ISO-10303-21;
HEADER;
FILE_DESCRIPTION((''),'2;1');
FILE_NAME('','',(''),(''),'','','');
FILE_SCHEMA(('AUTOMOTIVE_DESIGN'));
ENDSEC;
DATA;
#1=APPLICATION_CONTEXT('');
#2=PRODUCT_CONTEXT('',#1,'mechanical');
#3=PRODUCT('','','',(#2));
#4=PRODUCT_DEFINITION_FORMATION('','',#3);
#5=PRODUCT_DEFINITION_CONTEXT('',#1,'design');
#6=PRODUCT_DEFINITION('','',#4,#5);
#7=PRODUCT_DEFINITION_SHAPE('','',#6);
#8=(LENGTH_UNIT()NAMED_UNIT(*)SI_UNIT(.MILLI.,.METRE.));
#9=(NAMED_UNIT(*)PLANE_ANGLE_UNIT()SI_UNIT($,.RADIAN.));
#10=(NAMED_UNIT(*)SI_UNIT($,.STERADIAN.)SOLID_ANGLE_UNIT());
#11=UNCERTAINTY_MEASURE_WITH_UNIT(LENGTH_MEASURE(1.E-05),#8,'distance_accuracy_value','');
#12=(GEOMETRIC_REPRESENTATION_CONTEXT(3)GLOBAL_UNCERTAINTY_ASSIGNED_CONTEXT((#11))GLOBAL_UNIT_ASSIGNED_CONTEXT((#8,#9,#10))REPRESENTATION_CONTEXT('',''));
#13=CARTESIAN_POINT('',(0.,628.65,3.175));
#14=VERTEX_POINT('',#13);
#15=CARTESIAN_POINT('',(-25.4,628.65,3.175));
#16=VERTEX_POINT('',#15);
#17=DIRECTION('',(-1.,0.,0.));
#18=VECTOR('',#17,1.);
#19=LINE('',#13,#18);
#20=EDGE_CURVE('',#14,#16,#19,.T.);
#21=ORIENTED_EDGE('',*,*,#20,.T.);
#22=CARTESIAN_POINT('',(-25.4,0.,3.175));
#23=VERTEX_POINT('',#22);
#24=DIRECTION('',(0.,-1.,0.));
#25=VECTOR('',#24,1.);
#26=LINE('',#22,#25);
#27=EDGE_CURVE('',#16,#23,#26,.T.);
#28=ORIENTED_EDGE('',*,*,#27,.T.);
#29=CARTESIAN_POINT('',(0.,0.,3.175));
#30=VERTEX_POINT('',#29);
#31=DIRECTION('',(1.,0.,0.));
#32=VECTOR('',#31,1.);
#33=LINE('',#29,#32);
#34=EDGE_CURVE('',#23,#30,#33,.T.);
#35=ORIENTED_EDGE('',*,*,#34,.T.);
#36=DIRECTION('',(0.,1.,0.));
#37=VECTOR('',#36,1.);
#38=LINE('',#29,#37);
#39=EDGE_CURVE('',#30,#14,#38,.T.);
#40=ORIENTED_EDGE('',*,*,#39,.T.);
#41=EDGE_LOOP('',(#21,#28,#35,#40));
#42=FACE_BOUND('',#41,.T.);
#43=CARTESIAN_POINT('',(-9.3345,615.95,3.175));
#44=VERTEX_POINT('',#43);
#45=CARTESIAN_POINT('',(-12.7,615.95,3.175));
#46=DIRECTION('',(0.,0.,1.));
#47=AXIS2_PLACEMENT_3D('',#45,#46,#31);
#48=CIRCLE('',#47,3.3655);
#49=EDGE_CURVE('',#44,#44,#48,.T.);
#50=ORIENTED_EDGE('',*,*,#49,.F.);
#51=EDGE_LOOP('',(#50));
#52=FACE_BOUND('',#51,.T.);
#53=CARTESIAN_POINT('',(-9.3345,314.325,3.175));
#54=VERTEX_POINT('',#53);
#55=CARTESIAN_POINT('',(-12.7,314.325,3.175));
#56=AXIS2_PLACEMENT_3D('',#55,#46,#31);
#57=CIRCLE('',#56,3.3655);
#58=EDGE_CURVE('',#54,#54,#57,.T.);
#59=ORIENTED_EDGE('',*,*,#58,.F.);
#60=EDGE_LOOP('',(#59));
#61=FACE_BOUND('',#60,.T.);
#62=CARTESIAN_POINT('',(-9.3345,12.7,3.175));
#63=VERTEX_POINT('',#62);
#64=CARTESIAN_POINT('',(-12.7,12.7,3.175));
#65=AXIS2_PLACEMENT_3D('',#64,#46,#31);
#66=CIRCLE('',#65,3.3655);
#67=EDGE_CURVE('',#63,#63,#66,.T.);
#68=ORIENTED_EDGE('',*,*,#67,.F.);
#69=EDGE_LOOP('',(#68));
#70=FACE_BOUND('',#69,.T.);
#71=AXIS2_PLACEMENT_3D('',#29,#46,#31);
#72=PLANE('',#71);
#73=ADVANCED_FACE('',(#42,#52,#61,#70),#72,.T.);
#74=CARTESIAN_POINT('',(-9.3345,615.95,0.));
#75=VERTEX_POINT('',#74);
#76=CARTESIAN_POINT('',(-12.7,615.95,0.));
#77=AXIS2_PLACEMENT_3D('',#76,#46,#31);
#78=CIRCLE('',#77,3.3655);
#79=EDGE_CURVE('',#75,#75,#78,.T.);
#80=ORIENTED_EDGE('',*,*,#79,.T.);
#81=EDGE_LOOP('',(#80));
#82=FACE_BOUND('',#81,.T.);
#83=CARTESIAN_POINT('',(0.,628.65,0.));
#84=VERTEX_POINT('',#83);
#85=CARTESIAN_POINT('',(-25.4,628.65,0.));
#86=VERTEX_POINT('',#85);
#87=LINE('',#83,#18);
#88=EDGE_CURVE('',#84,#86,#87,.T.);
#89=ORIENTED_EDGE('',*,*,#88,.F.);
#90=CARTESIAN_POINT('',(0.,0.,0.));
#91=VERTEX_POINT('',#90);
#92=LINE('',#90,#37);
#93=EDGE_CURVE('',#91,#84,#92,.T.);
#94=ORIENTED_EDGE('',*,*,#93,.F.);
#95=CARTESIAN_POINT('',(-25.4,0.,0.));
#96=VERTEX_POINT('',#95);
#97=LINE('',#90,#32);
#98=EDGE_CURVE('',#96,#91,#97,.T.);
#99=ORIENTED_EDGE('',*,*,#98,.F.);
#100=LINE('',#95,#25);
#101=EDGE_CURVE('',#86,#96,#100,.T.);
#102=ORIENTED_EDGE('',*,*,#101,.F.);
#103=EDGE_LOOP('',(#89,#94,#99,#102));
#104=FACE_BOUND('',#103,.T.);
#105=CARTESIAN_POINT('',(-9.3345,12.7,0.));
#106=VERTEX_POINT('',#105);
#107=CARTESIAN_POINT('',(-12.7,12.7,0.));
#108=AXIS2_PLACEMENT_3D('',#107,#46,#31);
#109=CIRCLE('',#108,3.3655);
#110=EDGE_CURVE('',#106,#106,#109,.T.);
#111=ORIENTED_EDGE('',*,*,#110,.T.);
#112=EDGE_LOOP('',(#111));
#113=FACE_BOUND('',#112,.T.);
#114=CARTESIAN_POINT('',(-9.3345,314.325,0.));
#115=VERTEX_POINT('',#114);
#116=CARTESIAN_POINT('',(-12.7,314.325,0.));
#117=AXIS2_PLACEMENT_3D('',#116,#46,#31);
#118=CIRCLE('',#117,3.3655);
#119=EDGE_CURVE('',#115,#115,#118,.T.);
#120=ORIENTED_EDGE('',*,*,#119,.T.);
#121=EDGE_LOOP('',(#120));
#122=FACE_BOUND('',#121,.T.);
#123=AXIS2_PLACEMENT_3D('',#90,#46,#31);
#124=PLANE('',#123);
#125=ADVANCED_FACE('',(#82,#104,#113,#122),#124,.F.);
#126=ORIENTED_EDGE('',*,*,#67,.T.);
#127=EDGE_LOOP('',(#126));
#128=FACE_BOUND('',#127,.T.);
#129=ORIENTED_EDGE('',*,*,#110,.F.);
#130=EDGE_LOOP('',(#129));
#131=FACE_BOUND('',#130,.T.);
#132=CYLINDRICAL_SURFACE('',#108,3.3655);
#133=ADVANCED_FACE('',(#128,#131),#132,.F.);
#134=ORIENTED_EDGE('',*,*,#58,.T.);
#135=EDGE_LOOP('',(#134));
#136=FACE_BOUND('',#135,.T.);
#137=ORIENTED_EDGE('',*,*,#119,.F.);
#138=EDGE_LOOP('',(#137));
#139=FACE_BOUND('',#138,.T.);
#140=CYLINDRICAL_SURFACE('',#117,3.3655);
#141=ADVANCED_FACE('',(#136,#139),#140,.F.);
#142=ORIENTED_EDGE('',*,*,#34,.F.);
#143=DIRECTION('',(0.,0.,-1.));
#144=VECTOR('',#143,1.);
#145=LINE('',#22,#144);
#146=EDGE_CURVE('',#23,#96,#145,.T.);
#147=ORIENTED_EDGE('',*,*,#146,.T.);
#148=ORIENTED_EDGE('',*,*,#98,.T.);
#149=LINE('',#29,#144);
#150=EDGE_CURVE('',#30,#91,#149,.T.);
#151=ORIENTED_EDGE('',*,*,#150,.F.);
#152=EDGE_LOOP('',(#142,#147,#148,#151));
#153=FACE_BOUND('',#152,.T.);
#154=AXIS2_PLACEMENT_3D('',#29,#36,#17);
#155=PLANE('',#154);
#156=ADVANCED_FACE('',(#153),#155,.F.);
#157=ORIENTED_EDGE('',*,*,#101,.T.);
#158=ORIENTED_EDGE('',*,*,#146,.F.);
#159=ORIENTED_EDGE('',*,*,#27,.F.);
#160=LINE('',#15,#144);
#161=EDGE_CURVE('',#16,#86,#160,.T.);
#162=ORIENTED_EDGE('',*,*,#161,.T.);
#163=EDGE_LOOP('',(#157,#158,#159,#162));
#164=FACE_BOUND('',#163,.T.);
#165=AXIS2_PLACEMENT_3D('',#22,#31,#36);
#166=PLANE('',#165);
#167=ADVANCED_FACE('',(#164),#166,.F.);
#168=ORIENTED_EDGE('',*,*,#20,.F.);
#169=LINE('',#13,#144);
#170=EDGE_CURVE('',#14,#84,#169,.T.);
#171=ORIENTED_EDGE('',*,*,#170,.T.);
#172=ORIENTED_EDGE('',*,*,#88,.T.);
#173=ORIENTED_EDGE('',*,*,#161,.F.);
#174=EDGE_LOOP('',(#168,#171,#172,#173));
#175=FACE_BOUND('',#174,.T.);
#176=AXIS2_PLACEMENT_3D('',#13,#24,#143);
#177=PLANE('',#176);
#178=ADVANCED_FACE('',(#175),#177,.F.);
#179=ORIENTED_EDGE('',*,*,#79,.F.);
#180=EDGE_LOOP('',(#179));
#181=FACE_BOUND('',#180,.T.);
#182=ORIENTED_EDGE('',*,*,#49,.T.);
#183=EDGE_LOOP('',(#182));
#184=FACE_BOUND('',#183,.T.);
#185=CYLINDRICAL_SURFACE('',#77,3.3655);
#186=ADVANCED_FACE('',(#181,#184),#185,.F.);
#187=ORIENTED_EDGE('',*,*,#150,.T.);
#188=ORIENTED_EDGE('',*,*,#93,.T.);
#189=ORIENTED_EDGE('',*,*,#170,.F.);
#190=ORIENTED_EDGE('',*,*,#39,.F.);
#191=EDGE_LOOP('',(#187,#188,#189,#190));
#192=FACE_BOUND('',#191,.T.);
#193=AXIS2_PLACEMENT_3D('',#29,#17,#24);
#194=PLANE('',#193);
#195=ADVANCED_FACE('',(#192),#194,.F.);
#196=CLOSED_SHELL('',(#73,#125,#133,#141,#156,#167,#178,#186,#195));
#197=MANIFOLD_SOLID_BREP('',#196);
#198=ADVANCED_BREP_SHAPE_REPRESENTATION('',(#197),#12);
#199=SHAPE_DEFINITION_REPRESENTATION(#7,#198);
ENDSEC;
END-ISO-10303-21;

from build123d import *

# Parameters (mm, degrees)
SKETCH1_W           = 25.4
SKETCH1_H           = 628.65
BOSS_EXTRUDE1_DEPTH = 3.175
SKETCH2_R           = 3.3655
CUT_EXTRUDE1_DEPTH  = 4.175
LPATTERN1_COUNT     = 3
LPATTERN1_PITCH     = 301.625


with BuildPart() as part:
    # Sketch1 → Boss-Extrude1 (new body)
    with BuildSketch(Plane.XY):
        with Locations((-12.7, 314.325)):
            Rectangle(SKETCH1_W, SKETCH1_H)
    extrude(amount=BOSS_EXTRUDE1_DEPTH)

    # Sketch2 → Cut-Extrude1 (cut, through all)
    with BuildSketch(Plane.XY.offset(3.175)):
        with Locations((-12.7, 12.7)):
            Circle(SKETCH2_R)
    cut_extrude1 = extrude(amount=-CUT_EXTRUDE1_DEPTH, mode=Mode.SUBTRACT)

    # LPattern1: Cut-Extrude1 ×3
    with Locations(*[(0, i * LPATTERN1_PITCH, 0) for i in range(1, LPATTERN1_COUNT)]):
        add(cut_extrude1, mode=Mode.SUBTRACT)


solid = part.part
